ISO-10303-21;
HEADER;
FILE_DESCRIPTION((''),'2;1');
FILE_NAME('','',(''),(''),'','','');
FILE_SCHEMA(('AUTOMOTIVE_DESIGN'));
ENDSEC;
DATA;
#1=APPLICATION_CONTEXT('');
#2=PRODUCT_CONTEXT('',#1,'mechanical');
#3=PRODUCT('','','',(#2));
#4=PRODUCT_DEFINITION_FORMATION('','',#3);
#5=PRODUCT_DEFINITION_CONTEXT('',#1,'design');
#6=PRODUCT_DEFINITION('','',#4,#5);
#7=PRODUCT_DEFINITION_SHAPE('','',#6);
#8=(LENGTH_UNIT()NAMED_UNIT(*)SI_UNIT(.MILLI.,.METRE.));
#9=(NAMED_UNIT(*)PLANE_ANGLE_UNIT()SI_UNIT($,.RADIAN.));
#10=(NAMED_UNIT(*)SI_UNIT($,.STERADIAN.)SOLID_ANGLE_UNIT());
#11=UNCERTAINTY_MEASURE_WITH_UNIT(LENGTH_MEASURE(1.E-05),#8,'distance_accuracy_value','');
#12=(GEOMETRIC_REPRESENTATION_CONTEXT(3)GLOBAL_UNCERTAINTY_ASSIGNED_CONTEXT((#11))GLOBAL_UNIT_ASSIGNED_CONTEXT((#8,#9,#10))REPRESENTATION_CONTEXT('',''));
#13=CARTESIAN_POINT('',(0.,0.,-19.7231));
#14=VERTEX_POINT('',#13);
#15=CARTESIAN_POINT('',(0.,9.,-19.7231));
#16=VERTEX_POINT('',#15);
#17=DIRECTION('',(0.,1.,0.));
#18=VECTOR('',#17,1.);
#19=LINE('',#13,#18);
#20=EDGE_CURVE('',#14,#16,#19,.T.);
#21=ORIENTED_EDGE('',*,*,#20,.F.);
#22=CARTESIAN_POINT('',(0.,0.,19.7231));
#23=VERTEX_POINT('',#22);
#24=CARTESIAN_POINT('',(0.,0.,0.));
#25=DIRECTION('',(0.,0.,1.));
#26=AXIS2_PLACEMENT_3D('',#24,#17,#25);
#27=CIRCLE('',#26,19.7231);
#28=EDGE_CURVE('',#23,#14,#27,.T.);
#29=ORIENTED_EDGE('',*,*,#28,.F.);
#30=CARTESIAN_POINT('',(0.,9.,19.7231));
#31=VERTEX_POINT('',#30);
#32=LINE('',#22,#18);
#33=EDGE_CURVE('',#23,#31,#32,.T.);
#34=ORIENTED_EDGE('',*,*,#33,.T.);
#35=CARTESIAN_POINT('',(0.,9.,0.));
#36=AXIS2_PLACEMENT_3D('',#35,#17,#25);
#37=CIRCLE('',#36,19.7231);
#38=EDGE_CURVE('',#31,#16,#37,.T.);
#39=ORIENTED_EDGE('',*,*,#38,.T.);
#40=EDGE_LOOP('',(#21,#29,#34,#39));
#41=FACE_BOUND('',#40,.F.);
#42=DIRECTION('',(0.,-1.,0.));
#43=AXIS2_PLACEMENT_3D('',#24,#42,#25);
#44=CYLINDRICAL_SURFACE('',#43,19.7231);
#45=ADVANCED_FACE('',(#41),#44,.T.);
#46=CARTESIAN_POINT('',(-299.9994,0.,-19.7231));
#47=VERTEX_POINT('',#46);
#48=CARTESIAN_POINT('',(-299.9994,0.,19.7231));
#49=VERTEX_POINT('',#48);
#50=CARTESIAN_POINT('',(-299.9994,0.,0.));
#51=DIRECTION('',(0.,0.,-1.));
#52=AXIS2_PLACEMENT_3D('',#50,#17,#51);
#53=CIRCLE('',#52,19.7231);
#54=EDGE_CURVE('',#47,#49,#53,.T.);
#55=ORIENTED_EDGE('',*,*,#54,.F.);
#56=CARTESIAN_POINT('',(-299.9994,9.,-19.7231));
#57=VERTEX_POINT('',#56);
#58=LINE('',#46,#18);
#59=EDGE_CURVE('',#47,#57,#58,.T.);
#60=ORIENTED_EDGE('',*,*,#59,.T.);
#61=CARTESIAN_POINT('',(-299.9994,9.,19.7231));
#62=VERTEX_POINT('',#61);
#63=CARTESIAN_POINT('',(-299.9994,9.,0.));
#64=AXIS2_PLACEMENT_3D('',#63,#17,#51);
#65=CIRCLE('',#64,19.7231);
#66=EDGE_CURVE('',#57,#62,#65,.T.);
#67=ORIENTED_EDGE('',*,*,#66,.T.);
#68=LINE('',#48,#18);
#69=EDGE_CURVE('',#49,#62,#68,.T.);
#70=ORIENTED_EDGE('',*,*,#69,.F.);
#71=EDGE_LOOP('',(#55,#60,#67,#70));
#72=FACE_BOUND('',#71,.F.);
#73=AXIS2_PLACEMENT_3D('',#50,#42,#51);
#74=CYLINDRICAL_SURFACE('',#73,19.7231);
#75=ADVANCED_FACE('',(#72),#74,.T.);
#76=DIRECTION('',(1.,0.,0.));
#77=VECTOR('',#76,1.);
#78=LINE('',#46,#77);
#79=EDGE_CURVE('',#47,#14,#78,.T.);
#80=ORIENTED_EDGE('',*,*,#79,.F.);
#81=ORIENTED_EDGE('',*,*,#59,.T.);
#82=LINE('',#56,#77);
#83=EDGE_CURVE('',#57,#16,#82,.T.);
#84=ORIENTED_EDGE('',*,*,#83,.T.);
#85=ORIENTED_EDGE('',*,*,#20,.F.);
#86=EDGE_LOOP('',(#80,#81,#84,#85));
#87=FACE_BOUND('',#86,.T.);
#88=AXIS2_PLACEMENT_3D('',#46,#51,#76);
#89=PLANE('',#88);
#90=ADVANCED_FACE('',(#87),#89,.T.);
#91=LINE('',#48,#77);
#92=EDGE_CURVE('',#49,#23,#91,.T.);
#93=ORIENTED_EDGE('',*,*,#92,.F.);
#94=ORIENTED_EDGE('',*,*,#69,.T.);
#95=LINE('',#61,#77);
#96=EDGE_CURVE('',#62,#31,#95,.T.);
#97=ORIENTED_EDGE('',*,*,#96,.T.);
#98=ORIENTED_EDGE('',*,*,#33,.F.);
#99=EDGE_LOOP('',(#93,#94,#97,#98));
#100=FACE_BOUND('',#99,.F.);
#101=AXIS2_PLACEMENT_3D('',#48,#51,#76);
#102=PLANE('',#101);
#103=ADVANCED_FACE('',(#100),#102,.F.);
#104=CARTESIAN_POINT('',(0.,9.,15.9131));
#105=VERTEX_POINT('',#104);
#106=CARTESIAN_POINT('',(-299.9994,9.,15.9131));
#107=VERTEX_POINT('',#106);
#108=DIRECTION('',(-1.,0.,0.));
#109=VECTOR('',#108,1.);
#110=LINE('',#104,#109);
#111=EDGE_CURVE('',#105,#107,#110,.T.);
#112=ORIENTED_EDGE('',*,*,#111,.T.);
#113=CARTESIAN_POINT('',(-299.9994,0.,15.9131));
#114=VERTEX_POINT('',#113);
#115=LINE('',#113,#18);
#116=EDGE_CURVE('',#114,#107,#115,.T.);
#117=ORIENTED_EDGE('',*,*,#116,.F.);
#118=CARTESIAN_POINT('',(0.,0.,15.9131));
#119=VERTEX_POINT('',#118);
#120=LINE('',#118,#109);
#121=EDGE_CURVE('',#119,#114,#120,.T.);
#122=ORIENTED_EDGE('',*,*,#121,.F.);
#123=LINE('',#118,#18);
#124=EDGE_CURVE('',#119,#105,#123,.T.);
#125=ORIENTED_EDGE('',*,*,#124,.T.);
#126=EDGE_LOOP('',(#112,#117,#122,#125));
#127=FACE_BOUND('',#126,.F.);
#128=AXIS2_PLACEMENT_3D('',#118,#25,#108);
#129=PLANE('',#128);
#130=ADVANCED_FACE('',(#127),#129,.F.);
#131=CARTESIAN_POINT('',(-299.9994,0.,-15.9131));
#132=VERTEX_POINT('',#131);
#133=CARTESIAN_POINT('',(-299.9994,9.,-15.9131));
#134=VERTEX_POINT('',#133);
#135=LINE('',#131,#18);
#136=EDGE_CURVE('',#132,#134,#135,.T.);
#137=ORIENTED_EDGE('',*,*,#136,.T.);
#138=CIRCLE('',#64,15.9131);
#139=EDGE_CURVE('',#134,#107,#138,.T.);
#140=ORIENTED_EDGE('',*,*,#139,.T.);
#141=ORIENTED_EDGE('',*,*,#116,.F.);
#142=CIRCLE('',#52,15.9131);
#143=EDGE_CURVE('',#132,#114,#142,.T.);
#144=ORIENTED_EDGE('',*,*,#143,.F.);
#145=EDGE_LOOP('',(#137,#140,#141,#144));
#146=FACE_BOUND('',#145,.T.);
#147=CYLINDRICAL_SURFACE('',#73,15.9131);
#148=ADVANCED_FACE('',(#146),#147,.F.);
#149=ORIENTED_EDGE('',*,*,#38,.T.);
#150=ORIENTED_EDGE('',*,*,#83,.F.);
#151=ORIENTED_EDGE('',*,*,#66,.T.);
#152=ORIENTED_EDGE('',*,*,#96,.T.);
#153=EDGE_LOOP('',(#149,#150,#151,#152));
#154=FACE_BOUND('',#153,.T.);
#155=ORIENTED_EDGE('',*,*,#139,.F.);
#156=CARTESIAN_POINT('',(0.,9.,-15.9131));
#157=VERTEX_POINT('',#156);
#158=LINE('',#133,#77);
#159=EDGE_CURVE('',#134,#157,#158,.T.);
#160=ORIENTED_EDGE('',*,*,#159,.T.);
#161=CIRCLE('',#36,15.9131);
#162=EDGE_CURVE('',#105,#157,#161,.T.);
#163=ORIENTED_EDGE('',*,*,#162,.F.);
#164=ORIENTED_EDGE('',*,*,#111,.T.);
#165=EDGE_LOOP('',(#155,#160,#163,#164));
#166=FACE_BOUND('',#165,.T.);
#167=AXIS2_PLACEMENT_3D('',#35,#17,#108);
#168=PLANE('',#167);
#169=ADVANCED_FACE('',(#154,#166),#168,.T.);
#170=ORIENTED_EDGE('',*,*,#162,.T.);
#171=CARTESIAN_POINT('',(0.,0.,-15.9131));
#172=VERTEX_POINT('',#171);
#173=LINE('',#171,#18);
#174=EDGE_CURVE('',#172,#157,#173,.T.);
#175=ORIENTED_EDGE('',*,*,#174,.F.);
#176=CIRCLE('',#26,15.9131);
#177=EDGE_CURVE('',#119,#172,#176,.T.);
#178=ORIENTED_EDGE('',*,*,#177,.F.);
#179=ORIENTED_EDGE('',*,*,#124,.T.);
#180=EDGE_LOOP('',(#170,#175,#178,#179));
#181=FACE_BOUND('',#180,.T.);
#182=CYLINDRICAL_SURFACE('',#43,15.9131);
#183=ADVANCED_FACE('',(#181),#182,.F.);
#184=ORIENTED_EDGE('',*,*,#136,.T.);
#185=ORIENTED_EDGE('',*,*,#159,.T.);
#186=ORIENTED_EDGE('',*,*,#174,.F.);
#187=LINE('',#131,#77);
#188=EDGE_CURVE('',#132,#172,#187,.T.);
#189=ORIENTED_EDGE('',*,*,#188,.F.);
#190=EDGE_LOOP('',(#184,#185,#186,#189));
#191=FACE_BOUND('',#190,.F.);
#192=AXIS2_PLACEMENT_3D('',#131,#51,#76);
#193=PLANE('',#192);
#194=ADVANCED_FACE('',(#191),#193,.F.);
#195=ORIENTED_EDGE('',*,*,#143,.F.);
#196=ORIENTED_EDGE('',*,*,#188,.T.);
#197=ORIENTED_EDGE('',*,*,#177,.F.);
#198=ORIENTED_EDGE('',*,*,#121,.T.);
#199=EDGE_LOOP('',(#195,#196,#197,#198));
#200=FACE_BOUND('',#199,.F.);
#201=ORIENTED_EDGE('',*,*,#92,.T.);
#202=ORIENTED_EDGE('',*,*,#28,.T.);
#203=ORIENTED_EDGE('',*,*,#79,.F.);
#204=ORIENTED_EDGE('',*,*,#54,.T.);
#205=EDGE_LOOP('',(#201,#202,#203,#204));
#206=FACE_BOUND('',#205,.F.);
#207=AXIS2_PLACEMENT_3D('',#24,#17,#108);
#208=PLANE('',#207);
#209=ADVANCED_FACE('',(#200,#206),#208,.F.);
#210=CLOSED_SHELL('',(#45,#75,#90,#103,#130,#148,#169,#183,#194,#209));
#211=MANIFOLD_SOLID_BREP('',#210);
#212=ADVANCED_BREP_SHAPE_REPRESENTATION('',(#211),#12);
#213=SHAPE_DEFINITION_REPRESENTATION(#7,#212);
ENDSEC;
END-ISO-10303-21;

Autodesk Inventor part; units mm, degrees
ref_plane "YZ Plane" through (0, 0, 0) normal (1, 0, 0) x (0, 1, 0)
ref_plane "XZ Plane" through (0, 0, 0) normal (0, 1, 0) x (-1, 0, 0)
ref_plane "XY Plane" through (0, 0, 0) normal (0, 0, 1) x (1, 0, 0)
sketch "Sketch1" plane through (0, 0, 0) normal (0, 1, 0) x (-1, 0, 0)
  line L0 (0, 0) -> (299.9994, 0) construction
  line L1 (299.9994, 19.7231) -> (0, 19.7231)
  arc A0 (299.9994, -19.7231) -> (299.9994, 19.7231) centre (299.9994, 0) ccw
  arc A1 (0, 19.7231) -> (0, -19.7231) centre (0, 0) ccw
  line L2 (0, 15.9131) -> (299.9994, 15.9131)
  arc A2 (299.9994, -15.9131) -> (299.9994, 15.9131) centre (299.9994, 0) ccw
  line L3 (299.9994, -15.9131) -> (0, -15.9131)
  arc A3 (0, 15.9131) -> (0, -15.9131) centre (0, 0) ccw
  circle A4 centre (0, 0) radius 15.9131 construction
  line L4 (299.9994, -19.7231) -> (0, -19.7231)
  dimension "d8" = 31.8262
  dimension "d1" = 299.9994
  dimension "d7" = 3.81
extrude "Extrusion1" add sketch "Sketch1" along normal blind 9
properties part number "CORL_012_ArmBelt" material "Rubber, Silicone"
